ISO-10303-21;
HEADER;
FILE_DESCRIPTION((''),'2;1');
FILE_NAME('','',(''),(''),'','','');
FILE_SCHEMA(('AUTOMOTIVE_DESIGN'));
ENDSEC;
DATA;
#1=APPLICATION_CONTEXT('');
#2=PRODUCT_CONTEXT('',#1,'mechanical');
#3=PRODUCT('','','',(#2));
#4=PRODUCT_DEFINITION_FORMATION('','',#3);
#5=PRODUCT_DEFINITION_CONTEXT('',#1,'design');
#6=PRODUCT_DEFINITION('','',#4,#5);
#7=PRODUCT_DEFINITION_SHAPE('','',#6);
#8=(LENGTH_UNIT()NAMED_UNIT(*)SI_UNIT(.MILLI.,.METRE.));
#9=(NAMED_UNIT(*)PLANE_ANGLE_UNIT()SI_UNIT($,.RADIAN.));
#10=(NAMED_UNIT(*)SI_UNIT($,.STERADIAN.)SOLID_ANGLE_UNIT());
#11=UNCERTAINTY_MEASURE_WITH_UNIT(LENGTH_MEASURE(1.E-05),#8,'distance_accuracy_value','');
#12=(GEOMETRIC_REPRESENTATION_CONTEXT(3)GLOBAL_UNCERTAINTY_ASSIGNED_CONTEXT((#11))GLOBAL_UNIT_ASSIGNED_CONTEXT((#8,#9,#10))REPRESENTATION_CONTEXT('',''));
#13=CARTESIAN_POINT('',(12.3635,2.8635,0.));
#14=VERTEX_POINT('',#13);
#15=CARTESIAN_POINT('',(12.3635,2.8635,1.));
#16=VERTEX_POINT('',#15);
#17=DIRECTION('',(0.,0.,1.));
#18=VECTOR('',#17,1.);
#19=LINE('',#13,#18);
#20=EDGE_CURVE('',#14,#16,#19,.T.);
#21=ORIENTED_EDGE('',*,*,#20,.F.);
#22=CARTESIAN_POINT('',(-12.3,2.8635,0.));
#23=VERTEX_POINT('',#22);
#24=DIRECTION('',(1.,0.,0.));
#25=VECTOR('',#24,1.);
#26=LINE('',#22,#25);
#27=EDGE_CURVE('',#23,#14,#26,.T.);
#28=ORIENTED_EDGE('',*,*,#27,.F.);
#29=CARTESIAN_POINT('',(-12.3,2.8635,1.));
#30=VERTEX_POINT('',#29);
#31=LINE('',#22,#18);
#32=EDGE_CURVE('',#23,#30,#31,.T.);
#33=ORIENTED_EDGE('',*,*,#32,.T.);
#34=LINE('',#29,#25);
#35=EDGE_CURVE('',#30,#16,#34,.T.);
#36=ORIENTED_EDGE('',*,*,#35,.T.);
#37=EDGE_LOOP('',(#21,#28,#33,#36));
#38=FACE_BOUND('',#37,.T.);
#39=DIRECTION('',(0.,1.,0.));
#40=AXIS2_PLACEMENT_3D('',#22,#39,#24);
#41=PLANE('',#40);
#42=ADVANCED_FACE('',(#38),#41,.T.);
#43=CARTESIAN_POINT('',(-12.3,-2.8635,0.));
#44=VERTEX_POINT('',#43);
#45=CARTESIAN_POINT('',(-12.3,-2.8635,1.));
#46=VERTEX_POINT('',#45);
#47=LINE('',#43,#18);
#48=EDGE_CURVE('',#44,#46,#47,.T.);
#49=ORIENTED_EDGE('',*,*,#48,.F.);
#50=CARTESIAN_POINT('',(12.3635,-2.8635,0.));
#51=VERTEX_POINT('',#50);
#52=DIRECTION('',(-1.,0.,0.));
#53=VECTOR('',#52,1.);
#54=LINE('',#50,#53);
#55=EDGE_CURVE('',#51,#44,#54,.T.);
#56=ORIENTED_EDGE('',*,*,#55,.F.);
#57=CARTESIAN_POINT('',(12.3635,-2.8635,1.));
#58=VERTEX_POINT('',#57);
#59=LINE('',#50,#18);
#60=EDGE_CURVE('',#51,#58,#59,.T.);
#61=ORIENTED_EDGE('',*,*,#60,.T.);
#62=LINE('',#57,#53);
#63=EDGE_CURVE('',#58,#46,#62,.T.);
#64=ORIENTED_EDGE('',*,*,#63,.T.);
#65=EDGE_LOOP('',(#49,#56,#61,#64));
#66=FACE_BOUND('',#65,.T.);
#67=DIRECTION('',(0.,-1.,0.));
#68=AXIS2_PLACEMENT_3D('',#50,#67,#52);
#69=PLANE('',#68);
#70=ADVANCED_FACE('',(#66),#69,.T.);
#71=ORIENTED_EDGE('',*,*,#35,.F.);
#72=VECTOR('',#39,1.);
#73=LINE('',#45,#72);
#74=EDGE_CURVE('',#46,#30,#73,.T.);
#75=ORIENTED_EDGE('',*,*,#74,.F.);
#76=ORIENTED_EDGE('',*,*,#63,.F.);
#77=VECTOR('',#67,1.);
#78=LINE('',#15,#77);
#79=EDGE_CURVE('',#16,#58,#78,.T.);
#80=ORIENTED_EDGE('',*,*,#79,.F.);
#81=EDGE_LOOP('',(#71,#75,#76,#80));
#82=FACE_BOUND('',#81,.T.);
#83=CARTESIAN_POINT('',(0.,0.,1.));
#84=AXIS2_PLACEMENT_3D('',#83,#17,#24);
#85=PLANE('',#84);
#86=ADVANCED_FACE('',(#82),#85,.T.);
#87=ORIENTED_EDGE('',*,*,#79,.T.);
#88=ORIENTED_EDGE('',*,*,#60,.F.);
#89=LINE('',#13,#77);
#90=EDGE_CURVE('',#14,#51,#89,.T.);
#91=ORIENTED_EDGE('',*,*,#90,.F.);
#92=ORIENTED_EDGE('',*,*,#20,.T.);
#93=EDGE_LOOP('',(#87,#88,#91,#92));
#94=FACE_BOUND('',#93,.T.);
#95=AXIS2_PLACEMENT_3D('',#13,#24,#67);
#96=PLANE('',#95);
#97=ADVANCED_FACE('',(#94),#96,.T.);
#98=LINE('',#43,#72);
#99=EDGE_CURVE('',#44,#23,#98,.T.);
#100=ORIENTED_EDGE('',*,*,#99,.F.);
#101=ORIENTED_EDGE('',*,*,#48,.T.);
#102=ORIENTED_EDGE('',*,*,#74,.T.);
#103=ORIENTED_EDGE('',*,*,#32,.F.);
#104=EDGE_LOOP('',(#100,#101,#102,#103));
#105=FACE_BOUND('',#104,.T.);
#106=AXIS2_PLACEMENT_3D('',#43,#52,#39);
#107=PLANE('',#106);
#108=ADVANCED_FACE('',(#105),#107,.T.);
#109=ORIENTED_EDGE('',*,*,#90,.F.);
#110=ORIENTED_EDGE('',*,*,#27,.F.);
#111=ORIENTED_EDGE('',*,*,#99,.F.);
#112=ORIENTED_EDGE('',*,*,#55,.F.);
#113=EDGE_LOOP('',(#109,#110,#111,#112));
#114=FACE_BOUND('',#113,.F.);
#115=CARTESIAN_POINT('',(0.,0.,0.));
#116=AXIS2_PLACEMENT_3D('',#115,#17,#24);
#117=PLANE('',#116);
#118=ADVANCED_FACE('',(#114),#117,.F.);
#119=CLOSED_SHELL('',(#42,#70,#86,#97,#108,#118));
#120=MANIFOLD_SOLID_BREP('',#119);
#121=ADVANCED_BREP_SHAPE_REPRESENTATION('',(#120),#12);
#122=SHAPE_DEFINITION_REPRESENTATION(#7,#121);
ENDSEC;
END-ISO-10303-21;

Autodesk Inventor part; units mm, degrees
ref_plane "YZ Plane" through (0, 0, 0) normal (1, 0, 0) x (0, 1, 0)
ref_plane "XZ Plane" through (0, 0, 0) normal (0, 1, 0) x (-1, 0, 0)
ref_plane "XY Plane" through (0, 0, 0) normal (0, 0, 1) x (1, 0, 0)
sketch "FX8C-060S-SV_92_, FX8C-060S-SV_92__9" plane through (0, 0, 0) normal (0, 0, 1) x (1, 0, 0)
  line L0 (-12.3, 2.8635) -> (12.3635, 2.8635)
  line L1 (12.3635, 2.8635) -> (12.3635, -2.8635)
  line L2 (12.3635, -2.8635) -> (-12.3, -2.8635)
  line L3 (-12.3, -2.8635) -> (-12.3, 2.8635)
extrude "Extrusion1" add sketch "FX8C-060S-SV_92_, FX8C-060S-SV_92__9" along normal blind 1
properties part number "FX8C-060S-SV_92_"
